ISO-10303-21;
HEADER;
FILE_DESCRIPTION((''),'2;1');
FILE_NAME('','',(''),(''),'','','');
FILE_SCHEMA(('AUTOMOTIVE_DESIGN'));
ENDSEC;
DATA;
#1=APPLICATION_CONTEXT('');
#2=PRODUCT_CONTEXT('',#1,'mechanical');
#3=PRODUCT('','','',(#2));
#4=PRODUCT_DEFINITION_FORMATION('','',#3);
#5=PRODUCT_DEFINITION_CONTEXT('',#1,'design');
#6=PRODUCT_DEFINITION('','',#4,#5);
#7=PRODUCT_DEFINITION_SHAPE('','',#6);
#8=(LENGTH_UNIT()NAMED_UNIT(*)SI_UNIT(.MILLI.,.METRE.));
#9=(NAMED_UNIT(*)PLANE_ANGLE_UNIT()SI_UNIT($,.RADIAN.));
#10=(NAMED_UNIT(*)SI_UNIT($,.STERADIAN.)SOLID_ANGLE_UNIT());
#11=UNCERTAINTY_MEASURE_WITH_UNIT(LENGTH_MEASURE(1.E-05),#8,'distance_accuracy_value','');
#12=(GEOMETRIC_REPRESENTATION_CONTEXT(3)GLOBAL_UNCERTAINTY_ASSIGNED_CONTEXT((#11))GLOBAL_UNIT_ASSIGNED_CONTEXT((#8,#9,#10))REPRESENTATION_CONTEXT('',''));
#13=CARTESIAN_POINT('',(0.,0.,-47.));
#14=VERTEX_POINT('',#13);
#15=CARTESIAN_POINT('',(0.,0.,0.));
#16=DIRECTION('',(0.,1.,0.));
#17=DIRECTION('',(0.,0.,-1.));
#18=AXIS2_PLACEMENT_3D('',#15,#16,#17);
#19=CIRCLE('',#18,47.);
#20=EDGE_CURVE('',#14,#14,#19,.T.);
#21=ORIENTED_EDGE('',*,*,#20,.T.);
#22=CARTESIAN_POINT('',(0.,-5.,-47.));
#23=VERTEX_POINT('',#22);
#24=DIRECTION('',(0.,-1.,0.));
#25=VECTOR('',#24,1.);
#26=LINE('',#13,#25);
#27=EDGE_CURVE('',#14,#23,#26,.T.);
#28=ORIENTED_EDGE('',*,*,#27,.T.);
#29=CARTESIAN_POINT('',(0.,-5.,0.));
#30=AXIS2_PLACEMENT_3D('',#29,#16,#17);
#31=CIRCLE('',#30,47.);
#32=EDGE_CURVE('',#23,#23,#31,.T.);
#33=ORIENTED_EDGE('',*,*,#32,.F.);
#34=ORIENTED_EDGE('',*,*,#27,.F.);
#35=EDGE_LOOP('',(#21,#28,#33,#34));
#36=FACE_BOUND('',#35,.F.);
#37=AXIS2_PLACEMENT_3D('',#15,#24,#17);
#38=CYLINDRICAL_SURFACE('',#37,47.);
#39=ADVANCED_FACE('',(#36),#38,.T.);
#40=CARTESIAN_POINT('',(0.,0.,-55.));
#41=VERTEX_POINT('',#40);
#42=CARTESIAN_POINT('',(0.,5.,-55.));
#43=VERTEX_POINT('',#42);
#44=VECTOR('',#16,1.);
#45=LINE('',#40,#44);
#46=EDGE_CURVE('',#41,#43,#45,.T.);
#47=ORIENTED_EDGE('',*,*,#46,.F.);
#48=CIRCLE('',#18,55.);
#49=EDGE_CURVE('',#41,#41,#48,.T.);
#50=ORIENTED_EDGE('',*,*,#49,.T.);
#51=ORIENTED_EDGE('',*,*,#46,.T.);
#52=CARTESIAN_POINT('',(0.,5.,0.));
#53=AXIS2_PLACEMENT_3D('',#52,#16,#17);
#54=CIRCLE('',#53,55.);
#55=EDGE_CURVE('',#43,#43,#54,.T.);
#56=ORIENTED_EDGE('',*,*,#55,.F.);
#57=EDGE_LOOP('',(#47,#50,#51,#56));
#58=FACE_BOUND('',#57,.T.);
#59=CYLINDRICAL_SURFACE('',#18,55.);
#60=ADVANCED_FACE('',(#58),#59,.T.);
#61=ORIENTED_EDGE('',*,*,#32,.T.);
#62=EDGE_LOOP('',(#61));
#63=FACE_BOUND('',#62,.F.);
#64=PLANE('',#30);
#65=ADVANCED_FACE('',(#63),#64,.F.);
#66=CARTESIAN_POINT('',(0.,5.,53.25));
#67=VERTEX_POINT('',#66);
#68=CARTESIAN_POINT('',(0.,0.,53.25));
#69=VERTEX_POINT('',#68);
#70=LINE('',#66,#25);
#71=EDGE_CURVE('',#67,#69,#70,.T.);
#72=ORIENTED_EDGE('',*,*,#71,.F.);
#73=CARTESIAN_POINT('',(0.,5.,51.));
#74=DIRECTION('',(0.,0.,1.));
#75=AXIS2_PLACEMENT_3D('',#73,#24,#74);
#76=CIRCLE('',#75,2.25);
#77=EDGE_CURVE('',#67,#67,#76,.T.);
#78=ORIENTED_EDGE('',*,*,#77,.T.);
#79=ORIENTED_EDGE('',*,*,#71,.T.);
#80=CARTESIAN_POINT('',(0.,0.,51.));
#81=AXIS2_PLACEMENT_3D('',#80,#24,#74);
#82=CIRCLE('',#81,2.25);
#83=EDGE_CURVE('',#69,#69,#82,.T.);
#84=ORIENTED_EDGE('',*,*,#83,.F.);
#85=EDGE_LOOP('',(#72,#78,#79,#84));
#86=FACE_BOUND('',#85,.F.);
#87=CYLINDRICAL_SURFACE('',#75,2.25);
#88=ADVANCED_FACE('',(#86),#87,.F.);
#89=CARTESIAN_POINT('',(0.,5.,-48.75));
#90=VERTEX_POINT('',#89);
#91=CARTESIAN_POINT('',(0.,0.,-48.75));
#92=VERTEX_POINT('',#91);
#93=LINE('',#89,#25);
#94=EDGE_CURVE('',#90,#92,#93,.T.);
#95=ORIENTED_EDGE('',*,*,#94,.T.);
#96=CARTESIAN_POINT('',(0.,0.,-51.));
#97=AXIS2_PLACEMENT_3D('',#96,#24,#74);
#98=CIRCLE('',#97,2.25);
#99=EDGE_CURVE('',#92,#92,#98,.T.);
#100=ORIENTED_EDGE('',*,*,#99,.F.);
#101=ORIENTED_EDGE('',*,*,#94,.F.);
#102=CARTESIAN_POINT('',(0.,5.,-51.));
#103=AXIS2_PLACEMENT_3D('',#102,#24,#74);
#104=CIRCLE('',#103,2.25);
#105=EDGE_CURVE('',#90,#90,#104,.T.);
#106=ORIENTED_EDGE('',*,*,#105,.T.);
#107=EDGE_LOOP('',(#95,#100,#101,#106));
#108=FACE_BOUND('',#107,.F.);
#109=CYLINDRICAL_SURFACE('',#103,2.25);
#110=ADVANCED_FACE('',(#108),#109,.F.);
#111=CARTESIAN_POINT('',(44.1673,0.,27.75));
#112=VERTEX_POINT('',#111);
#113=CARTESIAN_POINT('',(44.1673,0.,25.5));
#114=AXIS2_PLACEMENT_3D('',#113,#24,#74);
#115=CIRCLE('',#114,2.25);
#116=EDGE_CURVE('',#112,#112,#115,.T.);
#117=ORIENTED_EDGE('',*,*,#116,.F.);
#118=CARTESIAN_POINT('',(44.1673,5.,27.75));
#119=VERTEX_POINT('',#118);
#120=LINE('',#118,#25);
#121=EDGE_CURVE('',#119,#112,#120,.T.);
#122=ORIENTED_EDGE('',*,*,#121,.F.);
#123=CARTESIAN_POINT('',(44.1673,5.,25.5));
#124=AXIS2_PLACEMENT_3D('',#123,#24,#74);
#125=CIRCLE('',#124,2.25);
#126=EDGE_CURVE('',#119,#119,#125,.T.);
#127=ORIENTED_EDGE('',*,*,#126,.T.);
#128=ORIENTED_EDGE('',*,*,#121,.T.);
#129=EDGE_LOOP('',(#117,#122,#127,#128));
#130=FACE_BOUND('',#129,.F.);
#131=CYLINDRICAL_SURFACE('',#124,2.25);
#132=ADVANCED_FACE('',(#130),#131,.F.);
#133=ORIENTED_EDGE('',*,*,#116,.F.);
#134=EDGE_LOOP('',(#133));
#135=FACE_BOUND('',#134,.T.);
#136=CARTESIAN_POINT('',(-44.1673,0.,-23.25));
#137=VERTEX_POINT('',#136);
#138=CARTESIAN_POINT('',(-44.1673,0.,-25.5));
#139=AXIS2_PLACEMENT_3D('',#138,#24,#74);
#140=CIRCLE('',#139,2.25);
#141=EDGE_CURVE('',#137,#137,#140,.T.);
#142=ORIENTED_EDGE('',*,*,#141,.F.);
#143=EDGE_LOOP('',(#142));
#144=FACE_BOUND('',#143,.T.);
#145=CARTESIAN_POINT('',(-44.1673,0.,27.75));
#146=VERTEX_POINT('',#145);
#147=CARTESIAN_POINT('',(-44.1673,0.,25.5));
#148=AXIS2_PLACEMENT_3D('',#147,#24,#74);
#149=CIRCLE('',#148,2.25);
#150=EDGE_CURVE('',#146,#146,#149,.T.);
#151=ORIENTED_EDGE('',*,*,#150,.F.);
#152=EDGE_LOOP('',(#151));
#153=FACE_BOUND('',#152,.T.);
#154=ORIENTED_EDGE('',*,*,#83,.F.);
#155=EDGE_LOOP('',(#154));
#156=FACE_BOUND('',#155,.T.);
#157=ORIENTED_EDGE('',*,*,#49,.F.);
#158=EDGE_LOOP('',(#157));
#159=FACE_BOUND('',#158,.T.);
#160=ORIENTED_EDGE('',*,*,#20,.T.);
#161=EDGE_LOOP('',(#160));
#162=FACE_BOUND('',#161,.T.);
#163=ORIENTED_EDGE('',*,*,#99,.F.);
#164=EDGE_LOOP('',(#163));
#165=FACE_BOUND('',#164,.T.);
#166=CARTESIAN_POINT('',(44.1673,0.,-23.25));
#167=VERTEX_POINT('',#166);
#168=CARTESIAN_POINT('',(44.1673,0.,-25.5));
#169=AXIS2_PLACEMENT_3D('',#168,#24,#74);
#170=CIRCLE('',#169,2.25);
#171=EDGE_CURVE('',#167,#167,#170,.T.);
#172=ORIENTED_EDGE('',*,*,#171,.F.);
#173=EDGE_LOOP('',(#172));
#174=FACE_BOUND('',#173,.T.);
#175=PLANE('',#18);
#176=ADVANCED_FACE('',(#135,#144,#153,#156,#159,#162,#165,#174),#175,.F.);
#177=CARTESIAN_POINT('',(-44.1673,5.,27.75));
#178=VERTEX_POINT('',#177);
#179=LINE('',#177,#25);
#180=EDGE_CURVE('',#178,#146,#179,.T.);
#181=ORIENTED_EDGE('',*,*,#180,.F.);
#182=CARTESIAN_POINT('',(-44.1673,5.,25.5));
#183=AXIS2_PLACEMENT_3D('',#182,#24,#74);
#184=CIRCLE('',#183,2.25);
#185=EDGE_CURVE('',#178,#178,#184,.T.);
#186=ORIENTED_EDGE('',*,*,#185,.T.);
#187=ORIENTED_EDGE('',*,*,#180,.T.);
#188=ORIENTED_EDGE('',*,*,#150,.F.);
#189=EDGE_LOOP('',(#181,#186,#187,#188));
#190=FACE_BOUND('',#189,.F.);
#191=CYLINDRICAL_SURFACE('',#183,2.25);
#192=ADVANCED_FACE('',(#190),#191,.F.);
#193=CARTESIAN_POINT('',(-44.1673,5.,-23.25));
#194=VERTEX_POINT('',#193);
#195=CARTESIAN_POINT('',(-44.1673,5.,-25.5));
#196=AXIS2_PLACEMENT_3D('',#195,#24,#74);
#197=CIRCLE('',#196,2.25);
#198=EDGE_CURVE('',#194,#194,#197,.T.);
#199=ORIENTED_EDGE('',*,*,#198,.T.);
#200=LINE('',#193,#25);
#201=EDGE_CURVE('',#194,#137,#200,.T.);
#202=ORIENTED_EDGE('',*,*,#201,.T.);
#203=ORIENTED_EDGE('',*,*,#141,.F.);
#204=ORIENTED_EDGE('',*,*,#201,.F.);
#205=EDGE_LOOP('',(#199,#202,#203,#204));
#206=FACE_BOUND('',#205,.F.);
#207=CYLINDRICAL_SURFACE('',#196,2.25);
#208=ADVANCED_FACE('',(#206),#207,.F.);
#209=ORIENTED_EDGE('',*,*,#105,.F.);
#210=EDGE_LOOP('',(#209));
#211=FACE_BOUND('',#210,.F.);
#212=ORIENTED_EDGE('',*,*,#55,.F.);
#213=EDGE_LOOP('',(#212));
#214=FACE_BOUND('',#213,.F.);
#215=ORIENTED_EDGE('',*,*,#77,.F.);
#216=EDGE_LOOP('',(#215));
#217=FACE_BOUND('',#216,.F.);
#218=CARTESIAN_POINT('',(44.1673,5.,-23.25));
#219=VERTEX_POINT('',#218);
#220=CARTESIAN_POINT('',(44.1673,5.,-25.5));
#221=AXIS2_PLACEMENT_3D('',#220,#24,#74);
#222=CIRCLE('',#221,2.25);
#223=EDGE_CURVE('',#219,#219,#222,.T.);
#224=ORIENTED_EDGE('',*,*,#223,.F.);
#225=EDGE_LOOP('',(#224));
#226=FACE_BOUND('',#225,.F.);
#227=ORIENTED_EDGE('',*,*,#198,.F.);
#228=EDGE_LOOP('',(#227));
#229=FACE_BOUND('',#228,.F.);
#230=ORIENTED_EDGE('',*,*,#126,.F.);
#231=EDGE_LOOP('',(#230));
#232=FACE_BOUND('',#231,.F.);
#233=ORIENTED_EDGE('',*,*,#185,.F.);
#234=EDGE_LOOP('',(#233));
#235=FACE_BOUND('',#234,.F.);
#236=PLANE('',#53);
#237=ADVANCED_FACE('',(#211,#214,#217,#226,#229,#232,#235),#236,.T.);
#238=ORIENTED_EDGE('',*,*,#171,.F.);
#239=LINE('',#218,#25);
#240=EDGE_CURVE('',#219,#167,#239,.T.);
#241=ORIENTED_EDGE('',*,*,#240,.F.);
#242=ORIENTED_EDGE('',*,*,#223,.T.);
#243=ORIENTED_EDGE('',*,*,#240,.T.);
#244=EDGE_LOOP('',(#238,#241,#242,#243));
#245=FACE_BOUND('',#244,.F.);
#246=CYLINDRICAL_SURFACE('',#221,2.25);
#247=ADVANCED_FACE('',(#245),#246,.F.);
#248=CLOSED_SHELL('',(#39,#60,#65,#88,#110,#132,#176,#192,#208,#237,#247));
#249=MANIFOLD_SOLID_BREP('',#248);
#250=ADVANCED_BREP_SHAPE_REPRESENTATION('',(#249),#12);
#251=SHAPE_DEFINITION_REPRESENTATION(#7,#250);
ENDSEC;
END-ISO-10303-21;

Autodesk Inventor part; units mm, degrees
ref_plane "YZ Plane" through (0, 0, 0) normal (1, 0, 0) x (0, 1, 0)
ref_plane "XZ Plane" through (0, 0, 0) normal (0, 1, 0) x (-1, 0, 0)
ref_plane "XY Plane" through (0, 0, 0) normal (0, 0, 1) x (1, 0, 0)
sketch "Skizze1" plane through (0, 0, 0) normal (1, 0, 0) x (0, 1, 0)
  line L0 (5, -20) -> (5, -25)
  line L1 (5, -20) -> (0, -20)
  line L2 (0, -20) -> (0, -55)
  line L3 (0, -55) -> (5, -55)
  line L4 (5, -55) -> (5, -20)
  line L5 (0, -42) -> (0, -47)
  line L6 (0, -37.5) -> (0, -42)
  line L7 (-8, 0) -> (13, 0) projected
  line L8 (0, -66) -> (0, 11) projected
  line L9 (5, -20) -> (0, -20)
  line L10 (0, -20) -> (0, 0)
  line L11 (0, 0) -> (5, 0)
  line L12 (5, 0) -> (5, -20)
  line L13 (-5, 0) -> (0, 0)
  line L14 (0, 0) -> (0, -47)
  line L15 (0, -47) -> (-5, -47)
  line L16 (-5, -47) -> (-5, 0)
  point P0 (10, -25)
  point P1 (10, -20)
  point P2 (0, -44.5)
  point P3 (2.5, -55)
  point P4 (-2.5, -47)
  dimension "d1" = 5
  dimension "d10" = 0
  dimension "d26" = 5
  dimension "d27" = 47
revolve "Umdrehung1" add sketch "Skizze1" angle 360 about axis through (0, -10, 0) along (0, 1, 0)
sketch "Skizze2" plane through (0, 5, 0) normal (0, 1, 0) x (1, 0, 0)
  line L0 (-77, 0) -> (77, 0) projected
  line L1 (0, 77) -> (0, -77) projected
  circle A0 centre (0, 0) radius 51
  circle A1 centre (0, 0) radius 55 projected
  point P0 (0, -51)
  point P1 (44.1673, -25.5)
  point P2 (44.1673, 25.5)
  point P3 (0, 51)
  point P4 (-44.1673, 25.5)
  point P5 (-44.1673, -25.5)
  dimension "d14" = 4
  dimension "d17" = 360
hole "Bohrung1" at (0, 5, 51) at (44.1673, 5, 25.5) at (44.1673, 5, -25.5) at (0, 5, -51) at (-44.1673, 5, -25.5) at (-44.1673, 5, 25.5) direction (0, -1, 0) diameter 4.5 depth 11.8 tip angle 118
properties part number "Deckel Stempel 2"
